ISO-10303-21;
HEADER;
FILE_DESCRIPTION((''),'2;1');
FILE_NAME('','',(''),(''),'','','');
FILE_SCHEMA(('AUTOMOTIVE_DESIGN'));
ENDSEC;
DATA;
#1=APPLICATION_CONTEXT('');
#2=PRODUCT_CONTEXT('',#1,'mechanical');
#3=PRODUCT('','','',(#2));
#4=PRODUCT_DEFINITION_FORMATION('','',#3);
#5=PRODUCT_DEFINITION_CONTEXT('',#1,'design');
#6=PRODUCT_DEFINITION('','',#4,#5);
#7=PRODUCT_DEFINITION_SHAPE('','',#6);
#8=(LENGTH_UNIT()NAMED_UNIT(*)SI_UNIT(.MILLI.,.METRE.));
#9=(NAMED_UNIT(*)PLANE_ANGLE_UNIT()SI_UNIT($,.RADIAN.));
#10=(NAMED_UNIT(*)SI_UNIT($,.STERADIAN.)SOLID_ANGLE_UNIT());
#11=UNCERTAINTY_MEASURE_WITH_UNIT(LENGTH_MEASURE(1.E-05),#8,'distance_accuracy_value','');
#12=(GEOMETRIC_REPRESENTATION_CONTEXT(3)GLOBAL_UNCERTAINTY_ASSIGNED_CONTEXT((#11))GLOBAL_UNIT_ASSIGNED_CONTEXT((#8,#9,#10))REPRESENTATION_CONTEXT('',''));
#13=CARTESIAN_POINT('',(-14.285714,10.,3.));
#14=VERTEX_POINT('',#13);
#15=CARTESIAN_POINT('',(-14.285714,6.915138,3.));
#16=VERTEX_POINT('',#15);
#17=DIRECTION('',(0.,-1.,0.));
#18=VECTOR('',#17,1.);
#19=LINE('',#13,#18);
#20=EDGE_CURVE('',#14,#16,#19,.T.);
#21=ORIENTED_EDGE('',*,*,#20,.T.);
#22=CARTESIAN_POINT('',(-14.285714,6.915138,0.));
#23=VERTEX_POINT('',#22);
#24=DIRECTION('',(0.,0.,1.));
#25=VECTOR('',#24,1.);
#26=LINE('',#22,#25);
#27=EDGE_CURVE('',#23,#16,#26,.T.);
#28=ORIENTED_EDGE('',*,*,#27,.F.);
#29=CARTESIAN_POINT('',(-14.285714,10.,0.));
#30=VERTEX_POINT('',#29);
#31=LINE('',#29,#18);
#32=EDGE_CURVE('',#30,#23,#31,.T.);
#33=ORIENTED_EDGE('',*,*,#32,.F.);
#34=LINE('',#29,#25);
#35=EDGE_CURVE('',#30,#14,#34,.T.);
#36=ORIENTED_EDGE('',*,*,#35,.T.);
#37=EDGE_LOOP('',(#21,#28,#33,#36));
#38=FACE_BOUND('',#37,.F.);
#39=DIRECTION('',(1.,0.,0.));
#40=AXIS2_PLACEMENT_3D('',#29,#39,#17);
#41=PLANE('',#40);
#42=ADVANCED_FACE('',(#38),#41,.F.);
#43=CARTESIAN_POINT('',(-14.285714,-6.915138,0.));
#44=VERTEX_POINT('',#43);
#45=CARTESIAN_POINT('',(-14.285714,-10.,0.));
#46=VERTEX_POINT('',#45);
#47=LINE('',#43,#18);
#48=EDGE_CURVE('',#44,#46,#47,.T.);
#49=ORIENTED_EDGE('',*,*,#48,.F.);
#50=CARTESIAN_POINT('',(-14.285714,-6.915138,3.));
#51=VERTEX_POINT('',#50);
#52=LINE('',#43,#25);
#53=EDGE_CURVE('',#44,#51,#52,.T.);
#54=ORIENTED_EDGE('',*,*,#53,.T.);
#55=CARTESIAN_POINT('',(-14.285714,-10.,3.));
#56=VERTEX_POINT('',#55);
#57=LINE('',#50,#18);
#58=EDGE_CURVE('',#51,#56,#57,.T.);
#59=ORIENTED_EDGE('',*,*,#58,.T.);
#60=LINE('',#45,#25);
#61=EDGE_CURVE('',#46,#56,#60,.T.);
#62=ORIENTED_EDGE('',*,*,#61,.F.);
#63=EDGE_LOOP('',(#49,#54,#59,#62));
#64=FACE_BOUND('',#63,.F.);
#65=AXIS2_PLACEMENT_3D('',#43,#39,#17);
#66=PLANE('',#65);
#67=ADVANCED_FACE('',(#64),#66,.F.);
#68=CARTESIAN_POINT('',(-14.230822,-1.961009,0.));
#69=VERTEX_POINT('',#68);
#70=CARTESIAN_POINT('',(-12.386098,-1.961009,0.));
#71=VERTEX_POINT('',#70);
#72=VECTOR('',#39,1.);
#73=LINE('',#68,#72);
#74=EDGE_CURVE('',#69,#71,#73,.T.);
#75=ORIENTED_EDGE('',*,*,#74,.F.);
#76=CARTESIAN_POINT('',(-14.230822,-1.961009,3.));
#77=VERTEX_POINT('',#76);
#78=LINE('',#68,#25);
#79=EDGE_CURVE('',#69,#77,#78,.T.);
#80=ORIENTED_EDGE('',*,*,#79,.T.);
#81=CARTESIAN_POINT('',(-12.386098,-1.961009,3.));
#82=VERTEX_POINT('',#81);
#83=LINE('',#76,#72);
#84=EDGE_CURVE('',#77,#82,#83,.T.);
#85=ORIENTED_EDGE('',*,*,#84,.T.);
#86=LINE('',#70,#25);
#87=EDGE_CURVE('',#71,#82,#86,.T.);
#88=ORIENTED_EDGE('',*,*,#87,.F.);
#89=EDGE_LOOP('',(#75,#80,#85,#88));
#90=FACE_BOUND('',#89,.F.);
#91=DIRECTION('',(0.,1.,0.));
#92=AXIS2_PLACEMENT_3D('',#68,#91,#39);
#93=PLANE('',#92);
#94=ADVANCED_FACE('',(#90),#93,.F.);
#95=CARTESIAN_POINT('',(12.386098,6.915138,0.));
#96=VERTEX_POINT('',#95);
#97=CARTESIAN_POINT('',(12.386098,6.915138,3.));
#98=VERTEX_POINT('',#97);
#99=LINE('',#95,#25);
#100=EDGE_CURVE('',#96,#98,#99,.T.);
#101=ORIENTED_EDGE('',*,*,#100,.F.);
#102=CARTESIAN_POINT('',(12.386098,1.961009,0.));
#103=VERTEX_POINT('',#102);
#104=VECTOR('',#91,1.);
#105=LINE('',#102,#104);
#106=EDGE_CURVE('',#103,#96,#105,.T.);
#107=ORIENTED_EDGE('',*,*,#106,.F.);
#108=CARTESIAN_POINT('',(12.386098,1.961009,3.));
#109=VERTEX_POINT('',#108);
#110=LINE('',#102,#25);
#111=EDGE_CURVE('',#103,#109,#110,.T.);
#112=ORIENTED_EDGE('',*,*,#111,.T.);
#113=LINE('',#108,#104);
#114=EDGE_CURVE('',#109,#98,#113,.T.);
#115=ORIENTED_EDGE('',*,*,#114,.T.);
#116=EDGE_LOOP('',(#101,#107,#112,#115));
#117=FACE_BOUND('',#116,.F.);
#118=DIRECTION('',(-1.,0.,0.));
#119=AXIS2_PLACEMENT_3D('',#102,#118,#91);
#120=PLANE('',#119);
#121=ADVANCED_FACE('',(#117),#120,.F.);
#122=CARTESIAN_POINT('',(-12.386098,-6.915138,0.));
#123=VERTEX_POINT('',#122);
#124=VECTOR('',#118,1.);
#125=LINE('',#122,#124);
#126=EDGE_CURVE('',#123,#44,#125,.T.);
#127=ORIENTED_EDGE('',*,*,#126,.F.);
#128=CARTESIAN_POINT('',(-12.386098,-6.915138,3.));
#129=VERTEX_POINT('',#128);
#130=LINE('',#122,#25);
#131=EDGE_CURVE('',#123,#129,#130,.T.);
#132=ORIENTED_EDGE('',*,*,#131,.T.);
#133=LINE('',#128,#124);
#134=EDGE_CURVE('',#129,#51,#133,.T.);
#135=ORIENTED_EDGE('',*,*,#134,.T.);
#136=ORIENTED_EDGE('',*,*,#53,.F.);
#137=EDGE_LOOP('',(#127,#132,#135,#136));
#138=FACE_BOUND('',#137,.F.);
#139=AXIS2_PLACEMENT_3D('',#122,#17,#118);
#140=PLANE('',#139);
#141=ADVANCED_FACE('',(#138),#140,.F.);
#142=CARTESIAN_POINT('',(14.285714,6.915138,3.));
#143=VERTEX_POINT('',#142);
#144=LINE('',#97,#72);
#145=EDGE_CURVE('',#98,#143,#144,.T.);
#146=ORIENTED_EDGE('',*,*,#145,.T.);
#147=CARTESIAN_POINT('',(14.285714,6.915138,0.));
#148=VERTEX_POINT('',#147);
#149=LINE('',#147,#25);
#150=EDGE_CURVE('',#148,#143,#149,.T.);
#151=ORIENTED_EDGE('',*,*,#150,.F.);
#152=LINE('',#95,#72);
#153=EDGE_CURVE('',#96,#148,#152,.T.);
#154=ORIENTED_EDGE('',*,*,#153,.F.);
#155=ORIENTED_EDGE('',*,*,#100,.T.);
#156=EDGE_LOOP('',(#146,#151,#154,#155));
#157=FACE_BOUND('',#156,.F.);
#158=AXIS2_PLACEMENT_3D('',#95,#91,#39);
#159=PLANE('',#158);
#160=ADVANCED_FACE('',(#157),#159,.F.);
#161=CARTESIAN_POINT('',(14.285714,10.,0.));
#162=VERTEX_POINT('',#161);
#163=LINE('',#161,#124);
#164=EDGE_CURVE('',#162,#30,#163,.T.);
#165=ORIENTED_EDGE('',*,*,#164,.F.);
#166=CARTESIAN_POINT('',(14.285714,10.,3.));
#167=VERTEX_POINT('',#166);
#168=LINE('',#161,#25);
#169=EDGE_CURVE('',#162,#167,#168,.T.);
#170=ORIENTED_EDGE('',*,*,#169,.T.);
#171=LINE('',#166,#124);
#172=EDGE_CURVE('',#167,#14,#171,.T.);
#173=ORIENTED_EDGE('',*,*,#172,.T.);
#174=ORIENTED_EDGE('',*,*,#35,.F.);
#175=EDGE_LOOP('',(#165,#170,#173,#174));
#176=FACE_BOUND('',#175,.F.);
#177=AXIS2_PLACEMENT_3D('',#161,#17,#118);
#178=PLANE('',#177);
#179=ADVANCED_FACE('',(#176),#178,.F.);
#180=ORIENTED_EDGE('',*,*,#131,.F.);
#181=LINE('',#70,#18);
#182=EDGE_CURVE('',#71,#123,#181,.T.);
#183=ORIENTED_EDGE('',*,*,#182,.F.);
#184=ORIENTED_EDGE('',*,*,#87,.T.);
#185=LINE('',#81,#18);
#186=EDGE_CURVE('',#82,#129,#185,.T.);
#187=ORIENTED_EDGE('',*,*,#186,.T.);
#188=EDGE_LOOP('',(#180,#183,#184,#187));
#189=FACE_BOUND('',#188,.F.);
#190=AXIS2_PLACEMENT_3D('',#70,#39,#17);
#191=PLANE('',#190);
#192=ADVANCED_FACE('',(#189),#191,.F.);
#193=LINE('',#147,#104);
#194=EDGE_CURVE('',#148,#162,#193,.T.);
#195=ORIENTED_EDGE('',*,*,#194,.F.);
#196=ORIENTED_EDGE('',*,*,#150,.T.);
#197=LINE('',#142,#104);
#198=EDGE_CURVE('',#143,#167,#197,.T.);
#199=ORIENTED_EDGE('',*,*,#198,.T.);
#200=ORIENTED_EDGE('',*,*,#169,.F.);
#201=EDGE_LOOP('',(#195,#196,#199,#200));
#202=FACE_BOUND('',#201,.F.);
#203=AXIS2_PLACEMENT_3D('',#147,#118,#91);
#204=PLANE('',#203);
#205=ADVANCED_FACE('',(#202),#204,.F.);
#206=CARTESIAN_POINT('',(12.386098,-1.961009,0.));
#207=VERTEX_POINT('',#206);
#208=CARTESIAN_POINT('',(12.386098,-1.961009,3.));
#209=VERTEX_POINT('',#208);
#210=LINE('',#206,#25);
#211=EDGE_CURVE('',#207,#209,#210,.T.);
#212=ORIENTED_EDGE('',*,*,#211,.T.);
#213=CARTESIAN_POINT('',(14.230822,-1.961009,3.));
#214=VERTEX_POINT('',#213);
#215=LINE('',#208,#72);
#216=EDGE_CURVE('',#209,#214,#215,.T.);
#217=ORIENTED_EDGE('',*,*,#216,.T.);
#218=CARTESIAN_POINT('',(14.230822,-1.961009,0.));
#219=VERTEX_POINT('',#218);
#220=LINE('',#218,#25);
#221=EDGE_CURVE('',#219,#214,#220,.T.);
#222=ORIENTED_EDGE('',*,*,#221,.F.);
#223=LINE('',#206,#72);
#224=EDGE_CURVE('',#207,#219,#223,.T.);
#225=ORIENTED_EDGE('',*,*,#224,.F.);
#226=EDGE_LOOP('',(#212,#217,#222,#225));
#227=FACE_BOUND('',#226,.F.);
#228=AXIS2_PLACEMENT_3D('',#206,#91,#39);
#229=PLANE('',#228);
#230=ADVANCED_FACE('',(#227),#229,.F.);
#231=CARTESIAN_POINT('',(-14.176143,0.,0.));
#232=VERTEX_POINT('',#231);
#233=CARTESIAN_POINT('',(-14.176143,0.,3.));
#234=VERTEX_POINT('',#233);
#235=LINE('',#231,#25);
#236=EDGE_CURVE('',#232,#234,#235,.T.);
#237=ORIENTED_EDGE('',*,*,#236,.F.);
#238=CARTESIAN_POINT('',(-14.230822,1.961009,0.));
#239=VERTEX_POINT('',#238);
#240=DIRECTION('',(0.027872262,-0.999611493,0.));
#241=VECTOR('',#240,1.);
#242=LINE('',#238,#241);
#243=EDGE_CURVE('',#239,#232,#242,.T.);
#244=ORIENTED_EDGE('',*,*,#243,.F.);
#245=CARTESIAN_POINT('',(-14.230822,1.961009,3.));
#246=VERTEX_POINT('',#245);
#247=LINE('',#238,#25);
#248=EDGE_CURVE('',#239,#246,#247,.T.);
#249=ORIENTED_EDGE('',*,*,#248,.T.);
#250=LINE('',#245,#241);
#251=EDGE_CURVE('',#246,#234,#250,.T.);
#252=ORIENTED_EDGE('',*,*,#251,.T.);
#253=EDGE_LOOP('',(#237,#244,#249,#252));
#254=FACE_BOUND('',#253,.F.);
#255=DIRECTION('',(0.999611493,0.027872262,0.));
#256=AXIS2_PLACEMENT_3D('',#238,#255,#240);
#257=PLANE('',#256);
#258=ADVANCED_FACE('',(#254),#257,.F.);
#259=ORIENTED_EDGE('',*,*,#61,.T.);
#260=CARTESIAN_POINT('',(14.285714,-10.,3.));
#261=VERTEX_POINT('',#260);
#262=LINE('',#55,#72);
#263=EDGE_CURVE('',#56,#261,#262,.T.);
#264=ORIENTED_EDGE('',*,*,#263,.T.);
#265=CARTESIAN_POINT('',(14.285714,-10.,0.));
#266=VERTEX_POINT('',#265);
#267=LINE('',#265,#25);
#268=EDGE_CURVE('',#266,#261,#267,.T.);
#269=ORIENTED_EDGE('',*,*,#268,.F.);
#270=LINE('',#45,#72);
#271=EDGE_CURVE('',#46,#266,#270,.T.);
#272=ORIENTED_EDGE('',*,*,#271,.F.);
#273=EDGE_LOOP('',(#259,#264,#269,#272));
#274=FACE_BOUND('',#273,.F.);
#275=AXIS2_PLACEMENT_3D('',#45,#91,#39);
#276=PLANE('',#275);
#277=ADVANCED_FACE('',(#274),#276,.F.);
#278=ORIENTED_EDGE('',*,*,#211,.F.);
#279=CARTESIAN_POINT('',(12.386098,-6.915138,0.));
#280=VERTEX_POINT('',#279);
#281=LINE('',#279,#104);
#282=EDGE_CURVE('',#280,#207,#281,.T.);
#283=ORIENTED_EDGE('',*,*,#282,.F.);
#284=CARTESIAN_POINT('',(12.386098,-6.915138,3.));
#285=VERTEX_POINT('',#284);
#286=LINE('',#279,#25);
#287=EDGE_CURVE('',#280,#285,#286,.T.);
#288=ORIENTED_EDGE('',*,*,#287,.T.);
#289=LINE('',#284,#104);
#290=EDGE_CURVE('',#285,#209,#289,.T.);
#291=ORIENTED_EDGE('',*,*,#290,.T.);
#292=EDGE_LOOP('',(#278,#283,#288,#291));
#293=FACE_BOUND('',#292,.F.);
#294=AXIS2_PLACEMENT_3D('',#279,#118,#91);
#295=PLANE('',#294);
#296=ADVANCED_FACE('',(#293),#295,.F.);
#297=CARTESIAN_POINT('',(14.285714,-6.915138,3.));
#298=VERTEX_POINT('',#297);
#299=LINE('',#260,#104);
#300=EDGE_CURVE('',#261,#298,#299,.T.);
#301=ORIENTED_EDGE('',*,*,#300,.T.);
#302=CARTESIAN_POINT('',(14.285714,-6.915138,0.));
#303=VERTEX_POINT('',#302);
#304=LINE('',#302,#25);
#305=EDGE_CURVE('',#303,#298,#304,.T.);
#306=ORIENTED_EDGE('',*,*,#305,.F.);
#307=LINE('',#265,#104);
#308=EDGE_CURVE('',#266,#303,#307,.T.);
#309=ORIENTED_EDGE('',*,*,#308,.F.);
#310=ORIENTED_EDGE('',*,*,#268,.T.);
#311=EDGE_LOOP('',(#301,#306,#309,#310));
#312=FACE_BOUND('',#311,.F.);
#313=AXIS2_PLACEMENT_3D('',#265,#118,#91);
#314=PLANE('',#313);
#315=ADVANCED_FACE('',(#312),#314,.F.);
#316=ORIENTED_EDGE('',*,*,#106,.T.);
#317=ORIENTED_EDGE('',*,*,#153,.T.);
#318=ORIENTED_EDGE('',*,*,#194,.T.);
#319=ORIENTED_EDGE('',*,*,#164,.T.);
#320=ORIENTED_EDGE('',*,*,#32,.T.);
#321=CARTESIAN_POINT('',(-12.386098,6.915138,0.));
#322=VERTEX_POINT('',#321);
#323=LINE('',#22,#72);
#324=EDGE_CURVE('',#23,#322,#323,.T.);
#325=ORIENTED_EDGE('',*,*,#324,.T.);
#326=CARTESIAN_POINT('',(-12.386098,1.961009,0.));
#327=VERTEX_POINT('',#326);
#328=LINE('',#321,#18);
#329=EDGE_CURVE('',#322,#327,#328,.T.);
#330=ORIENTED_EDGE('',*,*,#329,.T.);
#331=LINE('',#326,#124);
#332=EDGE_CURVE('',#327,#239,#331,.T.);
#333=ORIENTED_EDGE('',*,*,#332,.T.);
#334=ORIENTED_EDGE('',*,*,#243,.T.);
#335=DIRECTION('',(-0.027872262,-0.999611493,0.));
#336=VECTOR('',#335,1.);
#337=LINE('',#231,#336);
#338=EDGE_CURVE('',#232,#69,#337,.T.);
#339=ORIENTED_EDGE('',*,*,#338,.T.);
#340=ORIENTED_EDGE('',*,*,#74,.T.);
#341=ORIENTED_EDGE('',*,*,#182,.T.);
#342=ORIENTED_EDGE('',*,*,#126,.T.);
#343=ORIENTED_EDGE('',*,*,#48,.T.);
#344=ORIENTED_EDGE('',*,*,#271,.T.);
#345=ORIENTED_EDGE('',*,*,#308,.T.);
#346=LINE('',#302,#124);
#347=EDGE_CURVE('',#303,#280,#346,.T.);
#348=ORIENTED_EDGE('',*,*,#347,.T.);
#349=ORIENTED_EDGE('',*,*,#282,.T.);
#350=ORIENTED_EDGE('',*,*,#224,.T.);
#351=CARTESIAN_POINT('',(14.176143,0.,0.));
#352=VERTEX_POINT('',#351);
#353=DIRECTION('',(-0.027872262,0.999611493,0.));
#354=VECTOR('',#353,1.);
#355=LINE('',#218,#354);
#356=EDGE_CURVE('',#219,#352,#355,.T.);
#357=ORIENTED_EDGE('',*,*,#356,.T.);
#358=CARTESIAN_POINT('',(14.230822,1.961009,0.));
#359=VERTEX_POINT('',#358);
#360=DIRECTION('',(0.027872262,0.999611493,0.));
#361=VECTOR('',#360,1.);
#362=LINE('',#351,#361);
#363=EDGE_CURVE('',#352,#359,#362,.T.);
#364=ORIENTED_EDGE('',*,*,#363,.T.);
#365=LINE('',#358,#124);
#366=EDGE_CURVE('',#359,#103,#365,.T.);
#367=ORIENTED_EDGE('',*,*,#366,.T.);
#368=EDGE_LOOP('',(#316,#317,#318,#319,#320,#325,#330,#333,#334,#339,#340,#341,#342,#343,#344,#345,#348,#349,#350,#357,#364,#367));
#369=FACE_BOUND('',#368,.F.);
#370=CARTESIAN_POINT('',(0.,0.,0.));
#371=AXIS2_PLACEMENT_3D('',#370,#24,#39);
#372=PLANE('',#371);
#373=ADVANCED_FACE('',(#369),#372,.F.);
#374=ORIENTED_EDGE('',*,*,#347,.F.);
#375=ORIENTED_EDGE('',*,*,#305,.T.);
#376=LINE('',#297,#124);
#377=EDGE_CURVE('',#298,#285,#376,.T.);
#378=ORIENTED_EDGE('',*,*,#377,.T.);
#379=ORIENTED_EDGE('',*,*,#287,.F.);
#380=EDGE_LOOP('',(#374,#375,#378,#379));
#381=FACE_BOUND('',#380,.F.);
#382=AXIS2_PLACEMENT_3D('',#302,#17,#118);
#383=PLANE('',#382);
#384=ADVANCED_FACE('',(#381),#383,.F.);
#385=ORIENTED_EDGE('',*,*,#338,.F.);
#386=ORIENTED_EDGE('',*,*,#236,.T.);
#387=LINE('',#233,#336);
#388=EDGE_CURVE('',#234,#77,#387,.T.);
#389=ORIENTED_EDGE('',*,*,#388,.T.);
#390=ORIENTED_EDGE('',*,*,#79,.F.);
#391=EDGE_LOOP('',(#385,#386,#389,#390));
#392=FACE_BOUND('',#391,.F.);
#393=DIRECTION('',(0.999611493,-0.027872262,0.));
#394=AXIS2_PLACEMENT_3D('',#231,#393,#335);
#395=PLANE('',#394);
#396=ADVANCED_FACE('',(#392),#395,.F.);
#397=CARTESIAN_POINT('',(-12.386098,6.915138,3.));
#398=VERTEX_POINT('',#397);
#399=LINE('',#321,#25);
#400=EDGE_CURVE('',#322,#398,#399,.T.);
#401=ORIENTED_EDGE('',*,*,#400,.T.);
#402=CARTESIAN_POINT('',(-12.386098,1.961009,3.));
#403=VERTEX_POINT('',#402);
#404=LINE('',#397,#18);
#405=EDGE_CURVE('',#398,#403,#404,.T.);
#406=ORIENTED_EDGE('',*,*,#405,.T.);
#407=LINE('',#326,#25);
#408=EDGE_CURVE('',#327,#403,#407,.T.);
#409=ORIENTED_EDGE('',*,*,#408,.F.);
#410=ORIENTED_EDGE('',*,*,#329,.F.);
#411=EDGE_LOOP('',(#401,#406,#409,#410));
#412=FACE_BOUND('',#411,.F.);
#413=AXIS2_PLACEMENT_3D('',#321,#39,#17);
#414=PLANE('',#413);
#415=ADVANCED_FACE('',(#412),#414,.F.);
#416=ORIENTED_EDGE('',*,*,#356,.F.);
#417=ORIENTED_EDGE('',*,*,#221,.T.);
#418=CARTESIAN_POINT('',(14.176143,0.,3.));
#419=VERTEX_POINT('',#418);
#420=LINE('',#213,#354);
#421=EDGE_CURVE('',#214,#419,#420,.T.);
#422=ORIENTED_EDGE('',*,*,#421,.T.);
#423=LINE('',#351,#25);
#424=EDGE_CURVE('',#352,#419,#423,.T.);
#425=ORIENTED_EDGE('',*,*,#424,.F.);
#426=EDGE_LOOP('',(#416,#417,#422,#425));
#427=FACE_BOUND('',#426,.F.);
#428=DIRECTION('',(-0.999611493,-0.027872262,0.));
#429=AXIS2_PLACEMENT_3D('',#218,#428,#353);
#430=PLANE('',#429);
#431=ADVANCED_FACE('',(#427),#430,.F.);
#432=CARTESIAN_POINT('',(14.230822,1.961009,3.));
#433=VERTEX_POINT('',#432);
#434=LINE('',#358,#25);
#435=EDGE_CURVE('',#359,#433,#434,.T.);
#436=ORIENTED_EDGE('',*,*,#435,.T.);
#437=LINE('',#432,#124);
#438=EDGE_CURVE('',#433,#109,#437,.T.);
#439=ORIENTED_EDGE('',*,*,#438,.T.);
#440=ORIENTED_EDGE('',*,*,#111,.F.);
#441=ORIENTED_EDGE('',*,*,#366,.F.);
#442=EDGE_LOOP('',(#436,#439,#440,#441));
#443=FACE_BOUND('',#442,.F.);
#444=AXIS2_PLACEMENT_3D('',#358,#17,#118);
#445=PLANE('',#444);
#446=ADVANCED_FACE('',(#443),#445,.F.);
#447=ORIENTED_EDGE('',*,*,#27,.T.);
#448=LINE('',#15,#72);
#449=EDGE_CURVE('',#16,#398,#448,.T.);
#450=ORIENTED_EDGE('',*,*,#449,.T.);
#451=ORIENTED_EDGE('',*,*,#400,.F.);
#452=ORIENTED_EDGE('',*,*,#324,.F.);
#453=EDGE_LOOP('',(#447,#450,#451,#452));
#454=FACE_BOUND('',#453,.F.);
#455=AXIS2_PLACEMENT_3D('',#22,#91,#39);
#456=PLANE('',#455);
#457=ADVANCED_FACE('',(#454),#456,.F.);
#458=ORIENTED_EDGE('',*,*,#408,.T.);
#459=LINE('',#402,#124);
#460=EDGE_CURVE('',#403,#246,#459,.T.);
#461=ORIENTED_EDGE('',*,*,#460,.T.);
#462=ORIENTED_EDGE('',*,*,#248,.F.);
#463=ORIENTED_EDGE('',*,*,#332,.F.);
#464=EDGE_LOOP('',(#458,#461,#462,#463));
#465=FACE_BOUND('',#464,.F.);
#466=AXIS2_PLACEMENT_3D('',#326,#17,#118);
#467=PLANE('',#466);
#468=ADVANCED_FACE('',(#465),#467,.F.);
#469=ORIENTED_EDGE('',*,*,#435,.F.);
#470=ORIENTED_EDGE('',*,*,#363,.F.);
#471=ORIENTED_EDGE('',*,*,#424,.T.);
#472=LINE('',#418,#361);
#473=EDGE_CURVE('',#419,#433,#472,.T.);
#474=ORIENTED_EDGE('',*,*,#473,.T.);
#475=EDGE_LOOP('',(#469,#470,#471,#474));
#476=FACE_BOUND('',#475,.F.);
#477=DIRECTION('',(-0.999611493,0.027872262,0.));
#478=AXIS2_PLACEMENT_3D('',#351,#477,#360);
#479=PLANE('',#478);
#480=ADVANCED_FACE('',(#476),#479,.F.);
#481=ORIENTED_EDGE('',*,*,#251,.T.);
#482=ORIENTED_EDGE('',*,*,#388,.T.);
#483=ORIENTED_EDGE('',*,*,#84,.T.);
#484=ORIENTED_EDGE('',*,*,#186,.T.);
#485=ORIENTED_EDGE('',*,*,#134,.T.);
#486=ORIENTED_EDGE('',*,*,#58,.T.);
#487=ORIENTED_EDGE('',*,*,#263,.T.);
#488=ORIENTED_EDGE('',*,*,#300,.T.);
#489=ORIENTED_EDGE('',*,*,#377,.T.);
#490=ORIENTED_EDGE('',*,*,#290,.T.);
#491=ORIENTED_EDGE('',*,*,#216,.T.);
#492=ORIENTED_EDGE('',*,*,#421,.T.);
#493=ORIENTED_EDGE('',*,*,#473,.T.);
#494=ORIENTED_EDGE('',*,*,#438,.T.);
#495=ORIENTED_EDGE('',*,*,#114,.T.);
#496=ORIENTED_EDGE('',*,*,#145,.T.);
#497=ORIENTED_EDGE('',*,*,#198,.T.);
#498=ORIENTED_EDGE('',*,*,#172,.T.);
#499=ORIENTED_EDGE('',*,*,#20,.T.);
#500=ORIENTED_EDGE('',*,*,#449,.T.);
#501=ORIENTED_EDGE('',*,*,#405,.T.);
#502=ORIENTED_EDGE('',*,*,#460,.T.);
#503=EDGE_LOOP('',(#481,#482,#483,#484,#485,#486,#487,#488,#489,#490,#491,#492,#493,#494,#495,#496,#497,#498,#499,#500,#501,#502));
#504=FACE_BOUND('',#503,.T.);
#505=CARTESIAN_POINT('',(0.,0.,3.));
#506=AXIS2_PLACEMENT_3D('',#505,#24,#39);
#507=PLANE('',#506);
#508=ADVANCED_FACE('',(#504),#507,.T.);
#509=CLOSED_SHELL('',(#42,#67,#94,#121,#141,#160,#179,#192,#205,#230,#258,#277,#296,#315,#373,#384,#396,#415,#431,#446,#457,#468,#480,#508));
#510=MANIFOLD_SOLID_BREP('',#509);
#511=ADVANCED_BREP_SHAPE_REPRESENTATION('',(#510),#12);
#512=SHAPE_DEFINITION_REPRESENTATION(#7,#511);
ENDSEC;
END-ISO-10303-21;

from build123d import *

# Parameters (mm, degrees)
F1_DEPTH = 3


with BuildPart() as f1:
    # F0 (on Top) → F1 (new body)
    with BuildSketch(Plane.XY):
        Polygon((14.285714, 6.915138), (14.285714, 10), (-14.285714, 10), (-14.285714, 6.915138), (-12.386098, 6.915138), (-12.386098, 1.961009), (-14.230822, 1.961009), (-14.176143, 0), (-14.230822, -1.961009), (-12.386098, -1.961009), (-12.386098, -6.915138), (-14.285714, -6.915138), (-14.285714, -10), (14.285714, -10), (14.285714, -6.915138), (12.386098, -6.915138), (12.386098, -1.961009), (14.230822, -1.961009), (14.176143, 0), (14.230822, 1.961009), (12.386098, 1.961009), (12.386098, 6.915138), align=None)
    extrude(amount=F1_DEPTH)


solid = f1.part
